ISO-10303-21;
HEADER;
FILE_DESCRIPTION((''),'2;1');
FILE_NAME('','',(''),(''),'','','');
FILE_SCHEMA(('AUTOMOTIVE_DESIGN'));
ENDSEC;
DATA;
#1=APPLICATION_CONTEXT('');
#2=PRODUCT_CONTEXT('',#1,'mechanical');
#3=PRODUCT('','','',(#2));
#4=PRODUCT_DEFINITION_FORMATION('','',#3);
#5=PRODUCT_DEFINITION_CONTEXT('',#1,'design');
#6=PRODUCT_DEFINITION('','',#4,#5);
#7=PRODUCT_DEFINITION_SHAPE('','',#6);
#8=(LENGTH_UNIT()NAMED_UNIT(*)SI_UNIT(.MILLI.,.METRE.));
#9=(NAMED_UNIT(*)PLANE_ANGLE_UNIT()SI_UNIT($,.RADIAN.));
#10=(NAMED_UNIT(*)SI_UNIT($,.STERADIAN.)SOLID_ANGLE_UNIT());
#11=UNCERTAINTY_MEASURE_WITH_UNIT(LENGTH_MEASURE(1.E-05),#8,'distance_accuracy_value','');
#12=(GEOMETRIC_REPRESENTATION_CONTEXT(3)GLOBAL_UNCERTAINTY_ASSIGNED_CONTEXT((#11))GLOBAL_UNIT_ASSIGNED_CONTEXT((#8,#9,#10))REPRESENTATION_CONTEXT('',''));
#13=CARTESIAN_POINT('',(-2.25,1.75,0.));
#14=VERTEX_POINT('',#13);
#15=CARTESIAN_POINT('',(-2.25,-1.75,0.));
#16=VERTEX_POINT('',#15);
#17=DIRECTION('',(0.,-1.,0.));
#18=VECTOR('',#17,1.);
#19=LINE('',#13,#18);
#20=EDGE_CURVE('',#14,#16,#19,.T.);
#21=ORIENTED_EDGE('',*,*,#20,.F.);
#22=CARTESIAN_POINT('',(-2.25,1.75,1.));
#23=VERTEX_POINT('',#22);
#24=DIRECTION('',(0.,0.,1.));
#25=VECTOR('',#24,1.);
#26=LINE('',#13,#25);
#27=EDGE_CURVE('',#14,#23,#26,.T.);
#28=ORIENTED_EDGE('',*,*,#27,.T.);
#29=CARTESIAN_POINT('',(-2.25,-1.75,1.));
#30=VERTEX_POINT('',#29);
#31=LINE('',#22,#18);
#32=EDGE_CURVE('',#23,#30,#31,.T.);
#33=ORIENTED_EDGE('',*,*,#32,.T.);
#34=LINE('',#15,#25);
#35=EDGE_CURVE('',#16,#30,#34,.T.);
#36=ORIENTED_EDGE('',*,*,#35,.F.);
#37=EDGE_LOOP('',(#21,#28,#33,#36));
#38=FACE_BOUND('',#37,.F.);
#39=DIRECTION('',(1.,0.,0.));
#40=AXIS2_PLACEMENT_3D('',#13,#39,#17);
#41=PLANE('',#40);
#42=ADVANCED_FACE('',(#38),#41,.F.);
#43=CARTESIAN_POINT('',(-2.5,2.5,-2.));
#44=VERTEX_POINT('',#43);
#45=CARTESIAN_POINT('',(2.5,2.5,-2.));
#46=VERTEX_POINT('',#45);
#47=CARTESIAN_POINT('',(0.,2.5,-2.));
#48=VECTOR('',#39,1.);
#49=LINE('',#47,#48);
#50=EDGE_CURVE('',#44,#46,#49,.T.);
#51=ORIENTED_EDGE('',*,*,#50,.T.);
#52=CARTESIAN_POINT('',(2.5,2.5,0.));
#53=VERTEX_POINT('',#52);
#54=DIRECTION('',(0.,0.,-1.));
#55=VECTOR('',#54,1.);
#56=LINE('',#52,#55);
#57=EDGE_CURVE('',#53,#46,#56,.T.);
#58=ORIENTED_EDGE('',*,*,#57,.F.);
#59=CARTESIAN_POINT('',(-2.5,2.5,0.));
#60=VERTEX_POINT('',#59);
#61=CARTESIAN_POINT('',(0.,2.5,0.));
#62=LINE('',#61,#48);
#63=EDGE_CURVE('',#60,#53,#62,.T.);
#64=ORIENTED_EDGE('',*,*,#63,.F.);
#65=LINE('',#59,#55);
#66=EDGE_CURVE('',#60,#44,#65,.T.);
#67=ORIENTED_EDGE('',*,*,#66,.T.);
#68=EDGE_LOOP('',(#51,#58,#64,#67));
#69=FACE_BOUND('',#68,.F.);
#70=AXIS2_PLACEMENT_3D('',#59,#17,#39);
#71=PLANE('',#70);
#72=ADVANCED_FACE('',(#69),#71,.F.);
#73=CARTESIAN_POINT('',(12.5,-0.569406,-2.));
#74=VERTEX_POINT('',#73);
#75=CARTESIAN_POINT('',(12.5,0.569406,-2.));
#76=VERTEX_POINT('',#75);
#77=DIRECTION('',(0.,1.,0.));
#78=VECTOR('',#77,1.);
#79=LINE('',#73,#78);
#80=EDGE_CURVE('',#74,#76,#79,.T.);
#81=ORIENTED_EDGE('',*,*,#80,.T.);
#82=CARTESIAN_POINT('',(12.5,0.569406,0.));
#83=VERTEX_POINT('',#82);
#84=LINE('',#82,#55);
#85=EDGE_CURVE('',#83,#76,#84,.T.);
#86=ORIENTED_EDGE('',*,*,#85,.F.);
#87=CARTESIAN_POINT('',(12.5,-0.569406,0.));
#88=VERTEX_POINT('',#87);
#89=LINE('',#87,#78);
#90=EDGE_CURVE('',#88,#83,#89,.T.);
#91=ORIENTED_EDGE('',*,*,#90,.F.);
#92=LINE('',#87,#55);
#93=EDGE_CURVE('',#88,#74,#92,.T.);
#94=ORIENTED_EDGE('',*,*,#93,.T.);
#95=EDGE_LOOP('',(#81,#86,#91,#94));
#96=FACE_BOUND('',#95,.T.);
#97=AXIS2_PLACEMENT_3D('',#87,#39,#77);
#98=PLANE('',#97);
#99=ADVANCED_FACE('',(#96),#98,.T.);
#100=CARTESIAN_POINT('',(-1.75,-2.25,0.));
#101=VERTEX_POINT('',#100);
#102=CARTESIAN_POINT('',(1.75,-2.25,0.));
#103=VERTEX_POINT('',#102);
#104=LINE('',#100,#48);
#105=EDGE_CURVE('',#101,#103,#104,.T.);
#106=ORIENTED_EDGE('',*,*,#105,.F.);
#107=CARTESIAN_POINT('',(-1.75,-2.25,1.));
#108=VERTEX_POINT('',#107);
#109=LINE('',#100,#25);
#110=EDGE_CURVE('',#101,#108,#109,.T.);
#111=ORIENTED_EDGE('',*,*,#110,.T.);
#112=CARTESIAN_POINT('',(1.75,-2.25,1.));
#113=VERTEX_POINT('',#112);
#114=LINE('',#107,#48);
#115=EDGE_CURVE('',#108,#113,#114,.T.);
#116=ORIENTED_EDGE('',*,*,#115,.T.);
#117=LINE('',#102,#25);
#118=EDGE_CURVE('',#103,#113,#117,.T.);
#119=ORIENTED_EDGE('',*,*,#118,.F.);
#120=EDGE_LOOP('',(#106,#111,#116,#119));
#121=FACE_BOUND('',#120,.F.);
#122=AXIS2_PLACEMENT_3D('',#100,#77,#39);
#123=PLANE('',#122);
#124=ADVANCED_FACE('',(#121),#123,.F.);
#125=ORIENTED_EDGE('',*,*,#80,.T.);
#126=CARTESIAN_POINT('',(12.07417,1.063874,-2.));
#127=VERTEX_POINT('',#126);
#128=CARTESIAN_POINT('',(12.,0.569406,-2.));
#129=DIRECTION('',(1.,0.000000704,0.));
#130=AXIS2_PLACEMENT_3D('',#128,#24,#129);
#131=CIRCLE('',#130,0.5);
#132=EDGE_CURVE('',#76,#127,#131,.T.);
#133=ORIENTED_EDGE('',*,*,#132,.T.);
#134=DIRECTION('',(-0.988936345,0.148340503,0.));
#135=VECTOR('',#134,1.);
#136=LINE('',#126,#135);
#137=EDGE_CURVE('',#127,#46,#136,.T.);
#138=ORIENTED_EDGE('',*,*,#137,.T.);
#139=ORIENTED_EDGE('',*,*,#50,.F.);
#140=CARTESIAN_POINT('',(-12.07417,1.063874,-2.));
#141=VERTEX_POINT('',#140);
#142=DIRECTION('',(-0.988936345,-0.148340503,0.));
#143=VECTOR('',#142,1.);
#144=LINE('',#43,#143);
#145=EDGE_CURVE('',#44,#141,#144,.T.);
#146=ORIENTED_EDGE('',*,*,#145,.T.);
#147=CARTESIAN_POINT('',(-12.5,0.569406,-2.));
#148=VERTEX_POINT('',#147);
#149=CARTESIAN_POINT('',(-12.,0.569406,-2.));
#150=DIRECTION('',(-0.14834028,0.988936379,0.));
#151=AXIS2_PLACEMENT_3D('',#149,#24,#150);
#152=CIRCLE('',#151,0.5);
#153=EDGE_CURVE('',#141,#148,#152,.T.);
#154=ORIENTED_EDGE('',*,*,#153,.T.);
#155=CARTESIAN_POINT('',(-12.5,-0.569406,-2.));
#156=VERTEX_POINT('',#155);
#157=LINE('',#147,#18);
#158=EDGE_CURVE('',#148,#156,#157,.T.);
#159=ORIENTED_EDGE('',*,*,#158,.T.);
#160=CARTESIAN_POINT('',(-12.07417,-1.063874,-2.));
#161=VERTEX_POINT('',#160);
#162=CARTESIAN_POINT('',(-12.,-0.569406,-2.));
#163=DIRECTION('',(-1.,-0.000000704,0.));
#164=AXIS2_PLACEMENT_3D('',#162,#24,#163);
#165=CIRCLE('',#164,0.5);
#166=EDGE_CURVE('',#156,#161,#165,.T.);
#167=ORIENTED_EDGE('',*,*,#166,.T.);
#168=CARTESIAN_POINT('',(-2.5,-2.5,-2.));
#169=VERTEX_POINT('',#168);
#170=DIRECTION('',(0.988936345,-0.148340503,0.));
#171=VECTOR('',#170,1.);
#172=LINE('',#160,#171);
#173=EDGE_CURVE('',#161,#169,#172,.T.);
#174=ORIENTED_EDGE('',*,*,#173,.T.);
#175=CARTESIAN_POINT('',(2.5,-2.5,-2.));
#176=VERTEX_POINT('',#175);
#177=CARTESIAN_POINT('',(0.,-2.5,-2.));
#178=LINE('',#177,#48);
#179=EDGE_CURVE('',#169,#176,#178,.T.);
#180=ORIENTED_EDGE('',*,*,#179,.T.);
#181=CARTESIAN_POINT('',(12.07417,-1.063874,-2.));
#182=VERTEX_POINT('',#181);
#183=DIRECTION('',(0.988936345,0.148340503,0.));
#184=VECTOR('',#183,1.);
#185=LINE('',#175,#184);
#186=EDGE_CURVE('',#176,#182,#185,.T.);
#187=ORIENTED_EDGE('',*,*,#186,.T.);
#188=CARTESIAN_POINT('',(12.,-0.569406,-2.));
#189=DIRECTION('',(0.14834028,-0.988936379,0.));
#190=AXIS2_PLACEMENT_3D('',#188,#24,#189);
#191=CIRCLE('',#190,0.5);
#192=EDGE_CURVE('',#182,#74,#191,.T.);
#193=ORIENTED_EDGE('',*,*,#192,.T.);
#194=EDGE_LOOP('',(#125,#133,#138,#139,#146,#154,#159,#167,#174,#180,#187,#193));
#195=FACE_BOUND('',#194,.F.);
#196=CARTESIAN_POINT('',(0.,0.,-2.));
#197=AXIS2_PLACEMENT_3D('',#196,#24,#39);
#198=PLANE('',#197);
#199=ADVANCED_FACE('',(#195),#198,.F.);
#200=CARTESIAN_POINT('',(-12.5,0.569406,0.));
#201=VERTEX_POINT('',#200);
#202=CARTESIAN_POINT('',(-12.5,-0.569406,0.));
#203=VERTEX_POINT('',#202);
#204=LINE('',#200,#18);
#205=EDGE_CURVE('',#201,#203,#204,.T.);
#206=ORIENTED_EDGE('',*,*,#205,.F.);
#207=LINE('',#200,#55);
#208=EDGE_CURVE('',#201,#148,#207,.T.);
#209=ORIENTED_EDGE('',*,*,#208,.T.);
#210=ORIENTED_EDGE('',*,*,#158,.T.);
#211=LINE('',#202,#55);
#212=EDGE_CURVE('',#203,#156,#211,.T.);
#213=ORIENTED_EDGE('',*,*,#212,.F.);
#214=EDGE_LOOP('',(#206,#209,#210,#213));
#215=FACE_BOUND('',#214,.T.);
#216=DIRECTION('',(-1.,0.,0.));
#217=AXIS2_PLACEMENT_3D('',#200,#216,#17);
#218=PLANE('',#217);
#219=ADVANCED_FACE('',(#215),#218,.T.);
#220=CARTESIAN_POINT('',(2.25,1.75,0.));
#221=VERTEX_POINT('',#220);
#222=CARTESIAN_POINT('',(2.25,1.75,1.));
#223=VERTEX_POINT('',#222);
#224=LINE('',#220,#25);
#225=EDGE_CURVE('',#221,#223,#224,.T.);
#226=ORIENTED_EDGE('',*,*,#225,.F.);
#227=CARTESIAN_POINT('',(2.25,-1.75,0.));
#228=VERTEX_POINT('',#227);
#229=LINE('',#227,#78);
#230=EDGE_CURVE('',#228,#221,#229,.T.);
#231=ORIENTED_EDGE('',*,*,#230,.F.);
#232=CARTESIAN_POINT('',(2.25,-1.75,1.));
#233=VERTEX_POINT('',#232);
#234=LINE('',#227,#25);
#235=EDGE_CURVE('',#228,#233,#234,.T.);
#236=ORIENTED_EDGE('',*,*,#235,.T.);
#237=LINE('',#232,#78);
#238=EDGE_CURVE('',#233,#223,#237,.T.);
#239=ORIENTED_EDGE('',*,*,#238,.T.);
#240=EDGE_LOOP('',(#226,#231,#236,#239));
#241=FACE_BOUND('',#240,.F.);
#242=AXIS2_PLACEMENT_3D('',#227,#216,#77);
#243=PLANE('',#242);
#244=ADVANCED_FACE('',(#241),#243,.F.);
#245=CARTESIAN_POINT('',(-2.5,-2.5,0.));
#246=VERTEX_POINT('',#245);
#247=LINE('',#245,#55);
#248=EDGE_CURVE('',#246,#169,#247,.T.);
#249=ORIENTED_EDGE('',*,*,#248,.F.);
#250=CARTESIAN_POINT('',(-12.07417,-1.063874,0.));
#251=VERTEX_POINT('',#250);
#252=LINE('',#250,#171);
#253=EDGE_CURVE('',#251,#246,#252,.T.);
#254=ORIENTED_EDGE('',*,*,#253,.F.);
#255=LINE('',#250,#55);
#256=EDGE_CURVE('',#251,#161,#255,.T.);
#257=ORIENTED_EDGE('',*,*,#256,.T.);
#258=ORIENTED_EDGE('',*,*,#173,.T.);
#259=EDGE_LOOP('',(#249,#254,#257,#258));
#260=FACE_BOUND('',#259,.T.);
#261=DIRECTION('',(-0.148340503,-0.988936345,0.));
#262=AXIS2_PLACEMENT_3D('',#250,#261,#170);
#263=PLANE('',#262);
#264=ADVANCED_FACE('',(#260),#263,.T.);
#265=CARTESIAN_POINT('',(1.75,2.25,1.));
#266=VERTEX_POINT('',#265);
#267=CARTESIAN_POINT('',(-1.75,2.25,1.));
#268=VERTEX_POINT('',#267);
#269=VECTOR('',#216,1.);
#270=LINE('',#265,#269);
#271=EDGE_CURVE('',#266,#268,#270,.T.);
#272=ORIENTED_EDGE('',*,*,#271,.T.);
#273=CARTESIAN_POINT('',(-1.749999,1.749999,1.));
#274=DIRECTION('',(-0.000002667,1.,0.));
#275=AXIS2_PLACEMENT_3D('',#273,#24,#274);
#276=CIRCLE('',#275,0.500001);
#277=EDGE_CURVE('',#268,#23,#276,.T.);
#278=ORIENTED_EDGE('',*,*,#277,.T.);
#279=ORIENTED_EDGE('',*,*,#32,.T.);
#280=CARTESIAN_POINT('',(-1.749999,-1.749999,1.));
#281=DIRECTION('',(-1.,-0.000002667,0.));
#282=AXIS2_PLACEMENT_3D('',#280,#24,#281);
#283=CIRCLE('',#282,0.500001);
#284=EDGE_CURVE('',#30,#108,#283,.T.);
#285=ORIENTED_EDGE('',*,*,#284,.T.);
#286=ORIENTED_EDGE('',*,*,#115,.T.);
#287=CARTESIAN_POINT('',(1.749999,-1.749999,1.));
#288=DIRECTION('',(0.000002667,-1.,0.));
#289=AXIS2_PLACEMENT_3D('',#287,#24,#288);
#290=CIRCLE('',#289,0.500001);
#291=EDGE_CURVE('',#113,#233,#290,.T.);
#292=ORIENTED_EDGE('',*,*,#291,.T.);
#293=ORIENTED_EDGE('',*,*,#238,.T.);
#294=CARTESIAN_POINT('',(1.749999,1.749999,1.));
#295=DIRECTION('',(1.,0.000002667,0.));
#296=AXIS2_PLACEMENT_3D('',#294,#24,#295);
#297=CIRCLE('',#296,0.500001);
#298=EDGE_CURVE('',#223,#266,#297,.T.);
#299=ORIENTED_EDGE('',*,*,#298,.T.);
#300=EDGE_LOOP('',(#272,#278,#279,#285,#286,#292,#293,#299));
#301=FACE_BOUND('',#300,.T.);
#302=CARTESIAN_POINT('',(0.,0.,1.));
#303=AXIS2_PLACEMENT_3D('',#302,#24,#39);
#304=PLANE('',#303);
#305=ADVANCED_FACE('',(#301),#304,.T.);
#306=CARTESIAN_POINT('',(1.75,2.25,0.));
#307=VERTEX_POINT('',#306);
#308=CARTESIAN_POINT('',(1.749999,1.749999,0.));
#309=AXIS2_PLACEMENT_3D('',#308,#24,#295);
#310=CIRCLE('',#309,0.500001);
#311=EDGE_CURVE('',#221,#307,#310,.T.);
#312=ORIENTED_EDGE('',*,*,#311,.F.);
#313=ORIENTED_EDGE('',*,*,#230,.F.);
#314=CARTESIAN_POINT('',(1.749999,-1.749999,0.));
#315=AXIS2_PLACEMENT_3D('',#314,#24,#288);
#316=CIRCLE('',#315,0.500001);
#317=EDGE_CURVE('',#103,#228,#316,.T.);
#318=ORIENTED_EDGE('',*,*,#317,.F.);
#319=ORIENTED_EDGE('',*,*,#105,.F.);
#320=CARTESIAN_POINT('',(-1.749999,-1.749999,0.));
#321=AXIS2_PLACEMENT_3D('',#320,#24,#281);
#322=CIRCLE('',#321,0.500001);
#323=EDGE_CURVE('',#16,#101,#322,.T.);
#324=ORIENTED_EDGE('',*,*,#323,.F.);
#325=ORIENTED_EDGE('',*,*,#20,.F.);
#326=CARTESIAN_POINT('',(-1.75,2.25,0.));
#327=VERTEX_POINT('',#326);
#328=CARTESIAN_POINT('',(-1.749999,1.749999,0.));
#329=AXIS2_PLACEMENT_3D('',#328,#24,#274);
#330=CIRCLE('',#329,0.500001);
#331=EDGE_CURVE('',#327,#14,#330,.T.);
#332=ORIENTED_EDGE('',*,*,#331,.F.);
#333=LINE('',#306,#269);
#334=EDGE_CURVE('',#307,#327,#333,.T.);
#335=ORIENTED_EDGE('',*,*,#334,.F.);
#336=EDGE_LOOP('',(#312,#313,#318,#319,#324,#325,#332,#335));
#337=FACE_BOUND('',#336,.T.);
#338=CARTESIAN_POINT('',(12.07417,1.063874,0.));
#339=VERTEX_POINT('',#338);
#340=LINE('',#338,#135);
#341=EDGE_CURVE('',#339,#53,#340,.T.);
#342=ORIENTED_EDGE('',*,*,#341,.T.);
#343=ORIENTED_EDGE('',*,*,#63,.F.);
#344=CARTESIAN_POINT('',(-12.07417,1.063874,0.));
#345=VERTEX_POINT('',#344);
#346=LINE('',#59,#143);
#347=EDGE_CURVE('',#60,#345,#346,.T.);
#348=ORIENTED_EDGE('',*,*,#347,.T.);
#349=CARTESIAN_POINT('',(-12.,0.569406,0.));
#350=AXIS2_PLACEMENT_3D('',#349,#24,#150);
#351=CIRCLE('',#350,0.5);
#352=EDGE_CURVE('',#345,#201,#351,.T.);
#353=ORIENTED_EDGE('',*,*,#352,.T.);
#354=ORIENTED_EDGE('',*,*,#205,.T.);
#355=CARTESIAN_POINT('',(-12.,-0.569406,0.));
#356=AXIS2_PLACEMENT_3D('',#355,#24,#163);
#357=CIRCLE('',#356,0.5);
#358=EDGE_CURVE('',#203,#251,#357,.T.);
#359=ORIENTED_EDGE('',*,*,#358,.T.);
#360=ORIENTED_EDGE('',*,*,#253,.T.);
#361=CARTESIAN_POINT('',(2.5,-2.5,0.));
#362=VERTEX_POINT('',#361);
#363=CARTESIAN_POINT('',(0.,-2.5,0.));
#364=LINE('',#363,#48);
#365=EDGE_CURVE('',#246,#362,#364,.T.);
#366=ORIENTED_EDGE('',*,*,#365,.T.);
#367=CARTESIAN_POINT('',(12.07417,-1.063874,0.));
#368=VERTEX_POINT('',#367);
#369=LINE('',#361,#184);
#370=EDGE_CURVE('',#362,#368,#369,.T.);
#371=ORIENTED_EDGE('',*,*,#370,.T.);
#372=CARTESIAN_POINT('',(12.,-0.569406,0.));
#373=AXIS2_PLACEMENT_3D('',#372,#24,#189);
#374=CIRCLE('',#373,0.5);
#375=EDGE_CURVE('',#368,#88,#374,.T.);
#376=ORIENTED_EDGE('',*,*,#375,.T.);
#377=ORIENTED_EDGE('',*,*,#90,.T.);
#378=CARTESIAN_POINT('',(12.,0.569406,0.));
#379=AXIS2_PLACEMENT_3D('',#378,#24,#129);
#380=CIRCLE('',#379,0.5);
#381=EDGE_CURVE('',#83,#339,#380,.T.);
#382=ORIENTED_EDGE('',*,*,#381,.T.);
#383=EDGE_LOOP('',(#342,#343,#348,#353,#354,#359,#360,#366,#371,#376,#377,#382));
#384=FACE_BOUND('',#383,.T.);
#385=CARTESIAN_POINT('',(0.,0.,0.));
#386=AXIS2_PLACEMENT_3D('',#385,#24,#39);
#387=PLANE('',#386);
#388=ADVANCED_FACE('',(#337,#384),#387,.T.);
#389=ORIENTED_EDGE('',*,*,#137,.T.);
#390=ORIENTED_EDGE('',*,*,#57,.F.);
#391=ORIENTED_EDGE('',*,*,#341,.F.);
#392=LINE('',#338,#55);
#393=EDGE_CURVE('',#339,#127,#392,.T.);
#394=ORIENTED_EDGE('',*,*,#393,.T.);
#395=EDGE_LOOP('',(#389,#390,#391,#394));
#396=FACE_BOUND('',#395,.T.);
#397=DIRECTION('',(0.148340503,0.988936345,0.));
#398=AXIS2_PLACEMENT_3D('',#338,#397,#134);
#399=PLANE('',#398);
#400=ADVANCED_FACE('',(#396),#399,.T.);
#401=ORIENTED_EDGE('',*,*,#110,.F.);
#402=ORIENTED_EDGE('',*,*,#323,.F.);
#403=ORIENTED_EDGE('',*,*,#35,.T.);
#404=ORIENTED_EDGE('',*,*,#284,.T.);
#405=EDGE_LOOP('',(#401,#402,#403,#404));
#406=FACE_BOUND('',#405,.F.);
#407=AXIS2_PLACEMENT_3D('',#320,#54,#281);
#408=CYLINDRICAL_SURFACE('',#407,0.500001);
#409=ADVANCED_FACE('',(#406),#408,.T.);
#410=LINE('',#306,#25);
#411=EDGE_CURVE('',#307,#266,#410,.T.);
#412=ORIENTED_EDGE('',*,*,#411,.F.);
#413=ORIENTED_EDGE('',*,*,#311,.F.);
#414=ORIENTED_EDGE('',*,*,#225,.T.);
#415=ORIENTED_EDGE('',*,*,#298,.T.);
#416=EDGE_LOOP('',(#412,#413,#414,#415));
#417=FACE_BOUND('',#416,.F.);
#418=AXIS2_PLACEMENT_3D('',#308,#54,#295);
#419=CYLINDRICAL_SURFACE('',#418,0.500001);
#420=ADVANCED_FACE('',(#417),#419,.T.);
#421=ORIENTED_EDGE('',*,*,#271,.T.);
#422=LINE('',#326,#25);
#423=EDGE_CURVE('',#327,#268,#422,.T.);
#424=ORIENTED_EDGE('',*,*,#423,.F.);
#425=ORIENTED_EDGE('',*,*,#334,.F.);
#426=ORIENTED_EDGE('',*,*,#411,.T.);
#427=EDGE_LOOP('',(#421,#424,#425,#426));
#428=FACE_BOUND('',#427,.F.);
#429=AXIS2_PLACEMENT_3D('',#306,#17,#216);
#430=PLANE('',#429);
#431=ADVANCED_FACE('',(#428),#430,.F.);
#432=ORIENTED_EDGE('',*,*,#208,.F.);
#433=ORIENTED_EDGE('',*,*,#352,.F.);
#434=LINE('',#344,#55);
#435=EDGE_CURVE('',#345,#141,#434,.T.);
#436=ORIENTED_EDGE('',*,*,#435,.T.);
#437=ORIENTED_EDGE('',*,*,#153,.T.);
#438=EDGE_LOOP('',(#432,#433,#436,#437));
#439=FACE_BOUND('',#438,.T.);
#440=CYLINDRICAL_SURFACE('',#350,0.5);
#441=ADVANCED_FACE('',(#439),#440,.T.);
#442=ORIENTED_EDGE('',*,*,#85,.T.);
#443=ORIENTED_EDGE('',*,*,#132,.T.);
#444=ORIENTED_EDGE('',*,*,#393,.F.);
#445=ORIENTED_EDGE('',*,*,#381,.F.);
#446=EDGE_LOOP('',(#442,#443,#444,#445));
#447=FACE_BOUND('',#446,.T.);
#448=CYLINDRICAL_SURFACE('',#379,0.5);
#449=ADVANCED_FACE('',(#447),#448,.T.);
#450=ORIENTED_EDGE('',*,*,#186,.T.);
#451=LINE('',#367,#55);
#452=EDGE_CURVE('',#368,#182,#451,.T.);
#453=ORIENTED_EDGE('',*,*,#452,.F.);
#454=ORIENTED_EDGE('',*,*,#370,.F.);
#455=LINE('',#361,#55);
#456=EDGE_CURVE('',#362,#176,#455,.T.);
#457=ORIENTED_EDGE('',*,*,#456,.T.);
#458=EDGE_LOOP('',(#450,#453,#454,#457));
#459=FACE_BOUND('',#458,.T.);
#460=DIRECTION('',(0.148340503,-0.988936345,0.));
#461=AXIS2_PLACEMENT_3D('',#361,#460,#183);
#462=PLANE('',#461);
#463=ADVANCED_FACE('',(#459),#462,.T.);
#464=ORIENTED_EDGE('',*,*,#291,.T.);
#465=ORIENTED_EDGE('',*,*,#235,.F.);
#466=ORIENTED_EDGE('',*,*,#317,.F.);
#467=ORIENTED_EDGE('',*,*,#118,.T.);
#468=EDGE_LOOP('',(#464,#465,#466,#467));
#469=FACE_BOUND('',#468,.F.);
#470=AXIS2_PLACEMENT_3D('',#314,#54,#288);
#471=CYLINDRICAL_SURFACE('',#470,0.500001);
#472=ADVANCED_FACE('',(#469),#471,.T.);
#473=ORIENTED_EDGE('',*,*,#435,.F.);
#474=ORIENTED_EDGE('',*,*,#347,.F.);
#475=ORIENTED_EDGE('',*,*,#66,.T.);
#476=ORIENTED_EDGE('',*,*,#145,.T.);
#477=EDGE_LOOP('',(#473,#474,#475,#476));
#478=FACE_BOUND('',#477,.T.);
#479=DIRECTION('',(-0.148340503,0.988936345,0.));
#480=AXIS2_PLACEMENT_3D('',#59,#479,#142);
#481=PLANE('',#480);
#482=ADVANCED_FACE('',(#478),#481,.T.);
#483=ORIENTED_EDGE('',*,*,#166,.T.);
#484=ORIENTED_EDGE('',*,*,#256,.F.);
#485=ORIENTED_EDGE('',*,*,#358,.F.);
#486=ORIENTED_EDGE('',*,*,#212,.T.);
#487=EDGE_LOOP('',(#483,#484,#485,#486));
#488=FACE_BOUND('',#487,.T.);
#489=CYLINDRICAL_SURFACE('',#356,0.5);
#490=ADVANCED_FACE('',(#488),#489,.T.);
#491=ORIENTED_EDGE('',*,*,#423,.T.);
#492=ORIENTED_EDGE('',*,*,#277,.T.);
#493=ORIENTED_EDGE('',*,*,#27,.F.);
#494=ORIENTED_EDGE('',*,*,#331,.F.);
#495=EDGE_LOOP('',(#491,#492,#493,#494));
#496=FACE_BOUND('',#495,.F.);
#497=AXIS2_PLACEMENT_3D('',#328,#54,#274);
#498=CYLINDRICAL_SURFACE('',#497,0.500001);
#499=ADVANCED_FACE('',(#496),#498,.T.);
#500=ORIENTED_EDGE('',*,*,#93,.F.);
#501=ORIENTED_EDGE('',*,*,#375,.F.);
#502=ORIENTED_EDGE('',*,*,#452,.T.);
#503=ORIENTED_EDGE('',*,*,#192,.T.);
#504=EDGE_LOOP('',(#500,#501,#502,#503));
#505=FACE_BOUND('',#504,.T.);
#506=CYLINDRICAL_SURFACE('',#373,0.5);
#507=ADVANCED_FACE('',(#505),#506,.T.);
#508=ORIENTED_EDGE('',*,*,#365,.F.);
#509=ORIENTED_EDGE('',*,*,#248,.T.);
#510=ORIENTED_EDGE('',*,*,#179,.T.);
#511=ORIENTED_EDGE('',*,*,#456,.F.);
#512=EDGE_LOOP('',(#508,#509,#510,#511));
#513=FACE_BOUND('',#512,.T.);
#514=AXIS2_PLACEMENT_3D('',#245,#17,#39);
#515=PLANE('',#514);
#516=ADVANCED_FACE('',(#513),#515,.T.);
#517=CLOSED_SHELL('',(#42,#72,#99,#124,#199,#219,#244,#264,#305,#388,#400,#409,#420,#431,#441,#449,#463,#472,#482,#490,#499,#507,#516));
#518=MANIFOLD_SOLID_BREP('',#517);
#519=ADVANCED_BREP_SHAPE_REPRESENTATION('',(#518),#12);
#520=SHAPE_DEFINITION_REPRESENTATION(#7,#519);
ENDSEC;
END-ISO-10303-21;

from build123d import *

# Parameters (mm, degrees)
F1_DEPTH = 1
F2_W     = 5
F2_H     = 5
F3_DEPTH = 2


with BuildPart() as f1:
    # F0 (on Top) → F1 (new body)
    with BuildSketch(Plane.XY):
        with BuildLine():
            Line((1.75, 2.25), (-1.75, 2.25))
            ThreePointArc((-1.75, 2.25), (-2.103553, 2.103553), (-2.25, 1.75))
            Line((-2.25, 1.75), (-2.25, -1.75))
            ThreePointArc((-2.25, -1.75), (-2.103553, -2.103553), (-1.75, -2.25))
            Line((-1.75, -2.25), (1.75, -2.25))
            ThreePointArc((1.75, -2.25), (2.103553, -2.103553), (2.25, -1.75))
            Line((2.25, -1.75), (2.25, 1.75))
            ThreePointArc((2.25, 1.75), (2.103553, 2.103553), (1.75, 2.25))
        make_face()
    extrude(amount=F1_DEPTH)

    # F2 (on Top) → F3 (join)
    with BuildSketch(Plane.XY):
        Rectangle(F2_W, F2_H)
        with BuildLine():
            Line((-12.07417, -1.063874), (-2.5, -2.5))
            Line((-2.5, -2.5), (-2.5, 2.5))
            Line((-2.5, 2.5), (-12.07417, 1.063874))
            ThreePointArc((-12.07417, 1.063874), (-12.37887, 0.895684), (-12.5, 0.569406))
            Line((-12.5, 0.569406), (-12.5, -0.569406))
            ThreePointArc((-12.5, -0.569406), (-12.37887, -0.895684), (-12.07417, -1.063874))
        make_face()
        with BuildLine():
            Line((2.5, 2.5), (2.5, -2.5))
            Line((2.5, -2.5), (12.07417, -1.063874))
            ThreePointArc((12.07417, -1.063874), (12.37887, -0.895684), (12.5, -0.569406))
            Line((12.5, -0.569406), (12.5, 0.569406))
            ThreePointArc((12.5, 0.569406), (12.37887, 0.895684), (12.07417, 1.063874))
            Line((12.07417, 1.063874), (2.5, 2.5))
        make_face()
    extrude(amount=-F3_DEPTH)


solid = f1.part
